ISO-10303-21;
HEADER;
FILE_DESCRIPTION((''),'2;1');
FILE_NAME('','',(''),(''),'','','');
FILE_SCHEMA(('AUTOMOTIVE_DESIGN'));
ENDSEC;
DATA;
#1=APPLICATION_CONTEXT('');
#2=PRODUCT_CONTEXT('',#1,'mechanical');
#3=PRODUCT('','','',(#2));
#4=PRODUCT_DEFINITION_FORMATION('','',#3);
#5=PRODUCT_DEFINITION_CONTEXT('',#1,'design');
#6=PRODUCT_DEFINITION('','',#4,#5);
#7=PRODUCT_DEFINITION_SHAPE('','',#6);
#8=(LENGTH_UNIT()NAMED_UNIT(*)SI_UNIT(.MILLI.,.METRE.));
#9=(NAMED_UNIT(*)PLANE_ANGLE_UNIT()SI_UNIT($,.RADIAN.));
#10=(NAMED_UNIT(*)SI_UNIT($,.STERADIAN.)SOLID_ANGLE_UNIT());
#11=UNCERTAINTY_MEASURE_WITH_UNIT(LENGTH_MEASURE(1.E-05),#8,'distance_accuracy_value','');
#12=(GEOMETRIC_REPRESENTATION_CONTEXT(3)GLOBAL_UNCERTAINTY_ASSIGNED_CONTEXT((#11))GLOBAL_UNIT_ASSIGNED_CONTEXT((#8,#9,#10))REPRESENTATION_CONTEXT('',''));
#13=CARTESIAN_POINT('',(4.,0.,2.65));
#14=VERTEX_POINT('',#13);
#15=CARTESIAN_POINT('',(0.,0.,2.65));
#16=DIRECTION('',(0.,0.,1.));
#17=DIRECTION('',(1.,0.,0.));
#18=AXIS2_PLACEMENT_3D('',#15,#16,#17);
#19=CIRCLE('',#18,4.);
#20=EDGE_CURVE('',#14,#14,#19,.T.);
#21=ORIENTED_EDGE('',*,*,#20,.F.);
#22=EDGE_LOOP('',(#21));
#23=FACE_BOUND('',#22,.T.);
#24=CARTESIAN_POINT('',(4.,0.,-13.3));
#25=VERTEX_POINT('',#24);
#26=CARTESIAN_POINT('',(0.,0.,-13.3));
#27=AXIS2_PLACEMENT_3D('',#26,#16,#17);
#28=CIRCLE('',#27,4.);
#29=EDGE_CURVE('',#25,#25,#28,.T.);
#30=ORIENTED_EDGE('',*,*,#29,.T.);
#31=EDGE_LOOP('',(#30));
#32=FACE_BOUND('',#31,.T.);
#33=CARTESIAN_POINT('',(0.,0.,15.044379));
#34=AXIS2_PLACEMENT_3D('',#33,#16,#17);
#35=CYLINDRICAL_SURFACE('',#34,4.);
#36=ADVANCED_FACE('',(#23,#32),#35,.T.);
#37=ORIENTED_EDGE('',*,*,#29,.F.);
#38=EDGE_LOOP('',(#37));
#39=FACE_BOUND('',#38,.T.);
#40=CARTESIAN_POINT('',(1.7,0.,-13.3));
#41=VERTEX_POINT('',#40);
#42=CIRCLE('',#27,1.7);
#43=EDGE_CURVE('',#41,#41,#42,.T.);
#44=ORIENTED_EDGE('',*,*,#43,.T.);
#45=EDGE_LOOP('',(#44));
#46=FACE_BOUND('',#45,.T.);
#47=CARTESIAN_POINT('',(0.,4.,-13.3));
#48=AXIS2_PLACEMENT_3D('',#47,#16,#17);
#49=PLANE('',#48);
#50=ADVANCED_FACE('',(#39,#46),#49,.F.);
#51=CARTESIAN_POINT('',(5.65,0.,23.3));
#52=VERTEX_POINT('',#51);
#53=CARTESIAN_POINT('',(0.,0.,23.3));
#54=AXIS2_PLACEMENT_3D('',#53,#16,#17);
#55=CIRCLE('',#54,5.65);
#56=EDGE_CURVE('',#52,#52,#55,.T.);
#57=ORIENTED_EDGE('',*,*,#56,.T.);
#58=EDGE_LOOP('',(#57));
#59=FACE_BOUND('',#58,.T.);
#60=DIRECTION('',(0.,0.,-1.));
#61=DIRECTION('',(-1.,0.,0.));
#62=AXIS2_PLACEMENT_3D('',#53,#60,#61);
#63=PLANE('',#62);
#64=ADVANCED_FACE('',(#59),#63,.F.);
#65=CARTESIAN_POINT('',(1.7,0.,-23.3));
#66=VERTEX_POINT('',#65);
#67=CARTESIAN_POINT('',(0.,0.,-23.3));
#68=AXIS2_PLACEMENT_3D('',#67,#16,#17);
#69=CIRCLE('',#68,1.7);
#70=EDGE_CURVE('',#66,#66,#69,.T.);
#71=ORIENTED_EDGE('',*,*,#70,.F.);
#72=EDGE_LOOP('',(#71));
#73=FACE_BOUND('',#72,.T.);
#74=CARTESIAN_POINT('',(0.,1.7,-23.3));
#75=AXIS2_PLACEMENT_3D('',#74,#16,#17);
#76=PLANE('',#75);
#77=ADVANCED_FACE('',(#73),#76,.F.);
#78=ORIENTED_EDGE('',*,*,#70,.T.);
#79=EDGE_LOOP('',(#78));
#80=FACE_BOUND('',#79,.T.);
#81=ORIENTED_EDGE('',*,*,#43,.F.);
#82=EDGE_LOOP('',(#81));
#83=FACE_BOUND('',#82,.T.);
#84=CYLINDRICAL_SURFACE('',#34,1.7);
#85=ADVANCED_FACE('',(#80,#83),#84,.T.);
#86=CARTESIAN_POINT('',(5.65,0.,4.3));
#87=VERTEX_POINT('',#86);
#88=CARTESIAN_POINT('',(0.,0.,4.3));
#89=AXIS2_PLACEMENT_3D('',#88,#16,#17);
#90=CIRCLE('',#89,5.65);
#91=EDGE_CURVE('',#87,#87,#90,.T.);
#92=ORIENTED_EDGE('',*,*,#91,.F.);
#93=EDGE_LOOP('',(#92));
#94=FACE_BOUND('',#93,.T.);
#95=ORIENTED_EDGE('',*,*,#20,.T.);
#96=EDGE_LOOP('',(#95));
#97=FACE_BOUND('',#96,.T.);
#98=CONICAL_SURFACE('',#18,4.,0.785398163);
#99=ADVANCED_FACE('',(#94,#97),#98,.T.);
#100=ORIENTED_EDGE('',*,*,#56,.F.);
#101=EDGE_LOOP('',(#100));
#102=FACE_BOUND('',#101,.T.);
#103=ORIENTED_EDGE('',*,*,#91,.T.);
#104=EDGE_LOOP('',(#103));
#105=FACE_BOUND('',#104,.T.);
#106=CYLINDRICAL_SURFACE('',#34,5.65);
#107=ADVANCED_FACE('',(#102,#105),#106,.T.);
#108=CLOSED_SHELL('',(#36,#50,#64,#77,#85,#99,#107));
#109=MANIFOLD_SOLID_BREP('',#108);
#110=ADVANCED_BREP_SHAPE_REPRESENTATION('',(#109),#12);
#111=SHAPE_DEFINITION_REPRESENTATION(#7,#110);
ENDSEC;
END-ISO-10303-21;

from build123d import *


with BuildPart() as part:
    # Sketch1 → Revolve1 (revolve)
    with BuildSketch(Plane(origin=(0, 0, 0), x_dir=(0, 0, -1), z_dir=(1, 0, 0)), mode=Mode.PRIVATE) as revolve1_sk:
        Polygon((-23.3, 0), (-23.3, 5.65), (-4.3, 5.65), (-2.65, 4), (13.3, 4), (13.3, 1.7), (23.3, 1.7), (23.3, 0), align=None)
    revolve(revolve1_sk.sketch.rotate(Axis((0, 0, 15.044378698), (0, 0, -1)), 90), axis=Axis((0, 0, 15.044378698), (0, 0, -1)))


solid = part.part
